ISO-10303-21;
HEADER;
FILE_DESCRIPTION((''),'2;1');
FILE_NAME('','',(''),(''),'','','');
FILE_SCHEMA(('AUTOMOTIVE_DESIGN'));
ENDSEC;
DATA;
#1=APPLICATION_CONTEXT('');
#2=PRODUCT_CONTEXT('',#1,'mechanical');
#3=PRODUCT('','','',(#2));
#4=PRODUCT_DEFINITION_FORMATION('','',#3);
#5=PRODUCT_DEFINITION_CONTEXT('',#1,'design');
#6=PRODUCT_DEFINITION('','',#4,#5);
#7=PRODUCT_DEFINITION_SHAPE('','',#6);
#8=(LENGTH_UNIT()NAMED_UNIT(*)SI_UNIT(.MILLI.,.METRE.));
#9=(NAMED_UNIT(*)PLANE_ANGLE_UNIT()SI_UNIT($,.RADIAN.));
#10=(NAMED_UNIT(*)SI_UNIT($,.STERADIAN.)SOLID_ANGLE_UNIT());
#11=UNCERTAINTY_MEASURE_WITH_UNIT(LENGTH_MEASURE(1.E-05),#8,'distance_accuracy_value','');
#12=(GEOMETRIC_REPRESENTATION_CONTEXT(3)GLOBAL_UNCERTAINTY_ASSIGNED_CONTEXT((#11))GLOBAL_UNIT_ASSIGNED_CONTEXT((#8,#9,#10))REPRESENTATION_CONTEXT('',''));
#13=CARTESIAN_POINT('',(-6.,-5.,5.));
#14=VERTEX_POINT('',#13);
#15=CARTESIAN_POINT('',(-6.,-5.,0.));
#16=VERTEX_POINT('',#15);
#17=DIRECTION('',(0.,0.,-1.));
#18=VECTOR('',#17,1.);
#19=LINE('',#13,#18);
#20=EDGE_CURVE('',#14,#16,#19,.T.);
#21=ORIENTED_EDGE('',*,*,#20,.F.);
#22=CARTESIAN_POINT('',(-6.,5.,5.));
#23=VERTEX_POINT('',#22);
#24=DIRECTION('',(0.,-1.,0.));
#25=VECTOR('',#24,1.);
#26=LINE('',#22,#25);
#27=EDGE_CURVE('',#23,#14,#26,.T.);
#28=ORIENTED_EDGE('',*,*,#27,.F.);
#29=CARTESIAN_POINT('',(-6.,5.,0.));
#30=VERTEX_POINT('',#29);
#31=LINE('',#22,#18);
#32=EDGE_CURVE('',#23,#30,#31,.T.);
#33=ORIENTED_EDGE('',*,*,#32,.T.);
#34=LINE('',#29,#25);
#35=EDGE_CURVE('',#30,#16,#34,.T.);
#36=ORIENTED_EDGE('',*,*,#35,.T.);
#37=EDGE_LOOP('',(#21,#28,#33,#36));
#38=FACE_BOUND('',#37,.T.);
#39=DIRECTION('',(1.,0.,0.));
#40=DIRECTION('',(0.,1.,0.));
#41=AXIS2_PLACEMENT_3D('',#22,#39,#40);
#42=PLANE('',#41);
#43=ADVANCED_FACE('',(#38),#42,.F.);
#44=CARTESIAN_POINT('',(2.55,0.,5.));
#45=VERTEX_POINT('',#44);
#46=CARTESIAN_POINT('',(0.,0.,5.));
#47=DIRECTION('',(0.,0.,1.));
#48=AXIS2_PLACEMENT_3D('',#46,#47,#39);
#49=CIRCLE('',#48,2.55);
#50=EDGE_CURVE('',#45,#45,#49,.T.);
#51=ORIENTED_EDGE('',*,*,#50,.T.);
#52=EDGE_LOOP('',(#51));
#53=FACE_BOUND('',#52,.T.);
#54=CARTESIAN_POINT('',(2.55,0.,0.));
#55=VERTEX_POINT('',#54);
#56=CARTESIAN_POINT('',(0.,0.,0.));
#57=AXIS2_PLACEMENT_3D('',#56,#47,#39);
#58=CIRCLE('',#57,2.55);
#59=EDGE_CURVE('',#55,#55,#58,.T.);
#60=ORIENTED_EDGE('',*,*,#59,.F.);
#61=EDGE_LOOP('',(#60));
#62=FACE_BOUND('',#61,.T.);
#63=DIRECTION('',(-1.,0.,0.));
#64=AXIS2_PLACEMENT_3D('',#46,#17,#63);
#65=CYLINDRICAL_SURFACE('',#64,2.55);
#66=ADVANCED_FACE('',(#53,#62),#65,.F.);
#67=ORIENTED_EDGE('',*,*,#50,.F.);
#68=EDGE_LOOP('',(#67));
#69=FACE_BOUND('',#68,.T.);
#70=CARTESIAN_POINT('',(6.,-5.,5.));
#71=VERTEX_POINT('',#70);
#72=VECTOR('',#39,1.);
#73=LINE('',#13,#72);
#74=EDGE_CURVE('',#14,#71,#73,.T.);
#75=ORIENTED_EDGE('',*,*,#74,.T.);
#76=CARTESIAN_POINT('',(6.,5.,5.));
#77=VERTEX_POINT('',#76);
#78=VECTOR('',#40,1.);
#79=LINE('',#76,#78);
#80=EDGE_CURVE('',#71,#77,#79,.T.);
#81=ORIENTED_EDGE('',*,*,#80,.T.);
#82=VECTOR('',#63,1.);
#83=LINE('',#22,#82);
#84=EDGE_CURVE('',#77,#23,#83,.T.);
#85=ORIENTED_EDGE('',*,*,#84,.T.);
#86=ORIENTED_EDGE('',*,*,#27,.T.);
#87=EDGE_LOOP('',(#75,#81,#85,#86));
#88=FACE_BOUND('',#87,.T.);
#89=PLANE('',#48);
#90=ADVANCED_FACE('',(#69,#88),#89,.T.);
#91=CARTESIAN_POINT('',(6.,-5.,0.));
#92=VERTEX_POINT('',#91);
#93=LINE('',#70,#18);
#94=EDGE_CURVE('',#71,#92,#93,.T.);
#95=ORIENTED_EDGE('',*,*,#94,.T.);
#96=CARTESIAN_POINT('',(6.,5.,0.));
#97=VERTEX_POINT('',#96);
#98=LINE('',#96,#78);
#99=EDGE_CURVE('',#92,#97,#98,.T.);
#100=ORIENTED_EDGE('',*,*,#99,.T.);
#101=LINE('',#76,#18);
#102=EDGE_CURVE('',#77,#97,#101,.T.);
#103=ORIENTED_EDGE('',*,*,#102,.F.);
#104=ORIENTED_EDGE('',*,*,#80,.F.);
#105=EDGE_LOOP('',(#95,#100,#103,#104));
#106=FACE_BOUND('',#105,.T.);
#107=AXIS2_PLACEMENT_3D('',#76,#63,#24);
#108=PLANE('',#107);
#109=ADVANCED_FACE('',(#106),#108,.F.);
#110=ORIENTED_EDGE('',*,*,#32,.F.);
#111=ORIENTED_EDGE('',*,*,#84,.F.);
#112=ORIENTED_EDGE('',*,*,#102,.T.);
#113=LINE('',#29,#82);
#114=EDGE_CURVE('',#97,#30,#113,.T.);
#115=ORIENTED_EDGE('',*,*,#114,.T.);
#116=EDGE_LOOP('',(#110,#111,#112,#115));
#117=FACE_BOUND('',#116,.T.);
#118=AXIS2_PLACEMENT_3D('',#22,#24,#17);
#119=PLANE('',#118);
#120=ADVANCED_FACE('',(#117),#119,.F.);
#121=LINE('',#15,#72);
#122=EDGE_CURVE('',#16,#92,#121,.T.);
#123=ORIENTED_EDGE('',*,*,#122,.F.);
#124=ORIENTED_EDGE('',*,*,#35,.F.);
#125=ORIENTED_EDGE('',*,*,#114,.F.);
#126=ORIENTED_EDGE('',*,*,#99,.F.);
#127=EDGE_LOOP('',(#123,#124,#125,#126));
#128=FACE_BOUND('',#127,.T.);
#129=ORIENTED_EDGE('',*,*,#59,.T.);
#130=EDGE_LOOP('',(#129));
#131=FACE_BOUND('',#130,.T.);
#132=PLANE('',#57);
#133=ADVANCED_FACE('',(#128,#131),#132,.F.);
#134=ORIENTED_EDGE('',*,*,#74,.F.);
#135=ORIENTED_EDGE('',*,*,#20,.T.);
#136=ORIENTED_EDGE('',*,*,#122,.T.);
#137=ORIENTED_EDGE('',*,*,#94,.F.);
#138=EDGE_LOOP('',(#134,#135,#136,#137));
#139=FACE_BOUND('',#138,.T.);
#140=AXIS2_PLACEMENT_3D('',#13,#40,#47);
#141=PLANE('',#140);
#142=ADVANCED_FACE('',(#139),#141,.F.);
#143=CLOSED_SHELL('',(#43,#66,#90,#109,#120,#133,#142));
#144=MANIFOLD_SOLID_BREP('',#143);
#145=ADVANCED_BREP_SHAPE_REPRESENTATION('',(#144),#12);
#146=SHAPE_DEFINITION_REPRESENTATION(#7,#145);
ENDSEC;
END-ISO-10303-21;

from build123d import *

# Parameters (mm, degrees)
SKETCH_1_W      = 12
SKETCH_1_H      = 10
SKETCH_1_R      = 2.55
EXTRUDE_1_DEPTH = 5


with BuildPart() as part:
    # 草圖1 → 填料-伸長1 (new body)
    with BuildSketch(Plane.XY):
        Rectangle(SKETCH_1_W, SKETCH_1_H)
        Circle(SKETCH_1_R, mode=Mode.SUBTRACT)
    extrude(amount=EXTRUDE_1_DEPTH)


solid = part.part
